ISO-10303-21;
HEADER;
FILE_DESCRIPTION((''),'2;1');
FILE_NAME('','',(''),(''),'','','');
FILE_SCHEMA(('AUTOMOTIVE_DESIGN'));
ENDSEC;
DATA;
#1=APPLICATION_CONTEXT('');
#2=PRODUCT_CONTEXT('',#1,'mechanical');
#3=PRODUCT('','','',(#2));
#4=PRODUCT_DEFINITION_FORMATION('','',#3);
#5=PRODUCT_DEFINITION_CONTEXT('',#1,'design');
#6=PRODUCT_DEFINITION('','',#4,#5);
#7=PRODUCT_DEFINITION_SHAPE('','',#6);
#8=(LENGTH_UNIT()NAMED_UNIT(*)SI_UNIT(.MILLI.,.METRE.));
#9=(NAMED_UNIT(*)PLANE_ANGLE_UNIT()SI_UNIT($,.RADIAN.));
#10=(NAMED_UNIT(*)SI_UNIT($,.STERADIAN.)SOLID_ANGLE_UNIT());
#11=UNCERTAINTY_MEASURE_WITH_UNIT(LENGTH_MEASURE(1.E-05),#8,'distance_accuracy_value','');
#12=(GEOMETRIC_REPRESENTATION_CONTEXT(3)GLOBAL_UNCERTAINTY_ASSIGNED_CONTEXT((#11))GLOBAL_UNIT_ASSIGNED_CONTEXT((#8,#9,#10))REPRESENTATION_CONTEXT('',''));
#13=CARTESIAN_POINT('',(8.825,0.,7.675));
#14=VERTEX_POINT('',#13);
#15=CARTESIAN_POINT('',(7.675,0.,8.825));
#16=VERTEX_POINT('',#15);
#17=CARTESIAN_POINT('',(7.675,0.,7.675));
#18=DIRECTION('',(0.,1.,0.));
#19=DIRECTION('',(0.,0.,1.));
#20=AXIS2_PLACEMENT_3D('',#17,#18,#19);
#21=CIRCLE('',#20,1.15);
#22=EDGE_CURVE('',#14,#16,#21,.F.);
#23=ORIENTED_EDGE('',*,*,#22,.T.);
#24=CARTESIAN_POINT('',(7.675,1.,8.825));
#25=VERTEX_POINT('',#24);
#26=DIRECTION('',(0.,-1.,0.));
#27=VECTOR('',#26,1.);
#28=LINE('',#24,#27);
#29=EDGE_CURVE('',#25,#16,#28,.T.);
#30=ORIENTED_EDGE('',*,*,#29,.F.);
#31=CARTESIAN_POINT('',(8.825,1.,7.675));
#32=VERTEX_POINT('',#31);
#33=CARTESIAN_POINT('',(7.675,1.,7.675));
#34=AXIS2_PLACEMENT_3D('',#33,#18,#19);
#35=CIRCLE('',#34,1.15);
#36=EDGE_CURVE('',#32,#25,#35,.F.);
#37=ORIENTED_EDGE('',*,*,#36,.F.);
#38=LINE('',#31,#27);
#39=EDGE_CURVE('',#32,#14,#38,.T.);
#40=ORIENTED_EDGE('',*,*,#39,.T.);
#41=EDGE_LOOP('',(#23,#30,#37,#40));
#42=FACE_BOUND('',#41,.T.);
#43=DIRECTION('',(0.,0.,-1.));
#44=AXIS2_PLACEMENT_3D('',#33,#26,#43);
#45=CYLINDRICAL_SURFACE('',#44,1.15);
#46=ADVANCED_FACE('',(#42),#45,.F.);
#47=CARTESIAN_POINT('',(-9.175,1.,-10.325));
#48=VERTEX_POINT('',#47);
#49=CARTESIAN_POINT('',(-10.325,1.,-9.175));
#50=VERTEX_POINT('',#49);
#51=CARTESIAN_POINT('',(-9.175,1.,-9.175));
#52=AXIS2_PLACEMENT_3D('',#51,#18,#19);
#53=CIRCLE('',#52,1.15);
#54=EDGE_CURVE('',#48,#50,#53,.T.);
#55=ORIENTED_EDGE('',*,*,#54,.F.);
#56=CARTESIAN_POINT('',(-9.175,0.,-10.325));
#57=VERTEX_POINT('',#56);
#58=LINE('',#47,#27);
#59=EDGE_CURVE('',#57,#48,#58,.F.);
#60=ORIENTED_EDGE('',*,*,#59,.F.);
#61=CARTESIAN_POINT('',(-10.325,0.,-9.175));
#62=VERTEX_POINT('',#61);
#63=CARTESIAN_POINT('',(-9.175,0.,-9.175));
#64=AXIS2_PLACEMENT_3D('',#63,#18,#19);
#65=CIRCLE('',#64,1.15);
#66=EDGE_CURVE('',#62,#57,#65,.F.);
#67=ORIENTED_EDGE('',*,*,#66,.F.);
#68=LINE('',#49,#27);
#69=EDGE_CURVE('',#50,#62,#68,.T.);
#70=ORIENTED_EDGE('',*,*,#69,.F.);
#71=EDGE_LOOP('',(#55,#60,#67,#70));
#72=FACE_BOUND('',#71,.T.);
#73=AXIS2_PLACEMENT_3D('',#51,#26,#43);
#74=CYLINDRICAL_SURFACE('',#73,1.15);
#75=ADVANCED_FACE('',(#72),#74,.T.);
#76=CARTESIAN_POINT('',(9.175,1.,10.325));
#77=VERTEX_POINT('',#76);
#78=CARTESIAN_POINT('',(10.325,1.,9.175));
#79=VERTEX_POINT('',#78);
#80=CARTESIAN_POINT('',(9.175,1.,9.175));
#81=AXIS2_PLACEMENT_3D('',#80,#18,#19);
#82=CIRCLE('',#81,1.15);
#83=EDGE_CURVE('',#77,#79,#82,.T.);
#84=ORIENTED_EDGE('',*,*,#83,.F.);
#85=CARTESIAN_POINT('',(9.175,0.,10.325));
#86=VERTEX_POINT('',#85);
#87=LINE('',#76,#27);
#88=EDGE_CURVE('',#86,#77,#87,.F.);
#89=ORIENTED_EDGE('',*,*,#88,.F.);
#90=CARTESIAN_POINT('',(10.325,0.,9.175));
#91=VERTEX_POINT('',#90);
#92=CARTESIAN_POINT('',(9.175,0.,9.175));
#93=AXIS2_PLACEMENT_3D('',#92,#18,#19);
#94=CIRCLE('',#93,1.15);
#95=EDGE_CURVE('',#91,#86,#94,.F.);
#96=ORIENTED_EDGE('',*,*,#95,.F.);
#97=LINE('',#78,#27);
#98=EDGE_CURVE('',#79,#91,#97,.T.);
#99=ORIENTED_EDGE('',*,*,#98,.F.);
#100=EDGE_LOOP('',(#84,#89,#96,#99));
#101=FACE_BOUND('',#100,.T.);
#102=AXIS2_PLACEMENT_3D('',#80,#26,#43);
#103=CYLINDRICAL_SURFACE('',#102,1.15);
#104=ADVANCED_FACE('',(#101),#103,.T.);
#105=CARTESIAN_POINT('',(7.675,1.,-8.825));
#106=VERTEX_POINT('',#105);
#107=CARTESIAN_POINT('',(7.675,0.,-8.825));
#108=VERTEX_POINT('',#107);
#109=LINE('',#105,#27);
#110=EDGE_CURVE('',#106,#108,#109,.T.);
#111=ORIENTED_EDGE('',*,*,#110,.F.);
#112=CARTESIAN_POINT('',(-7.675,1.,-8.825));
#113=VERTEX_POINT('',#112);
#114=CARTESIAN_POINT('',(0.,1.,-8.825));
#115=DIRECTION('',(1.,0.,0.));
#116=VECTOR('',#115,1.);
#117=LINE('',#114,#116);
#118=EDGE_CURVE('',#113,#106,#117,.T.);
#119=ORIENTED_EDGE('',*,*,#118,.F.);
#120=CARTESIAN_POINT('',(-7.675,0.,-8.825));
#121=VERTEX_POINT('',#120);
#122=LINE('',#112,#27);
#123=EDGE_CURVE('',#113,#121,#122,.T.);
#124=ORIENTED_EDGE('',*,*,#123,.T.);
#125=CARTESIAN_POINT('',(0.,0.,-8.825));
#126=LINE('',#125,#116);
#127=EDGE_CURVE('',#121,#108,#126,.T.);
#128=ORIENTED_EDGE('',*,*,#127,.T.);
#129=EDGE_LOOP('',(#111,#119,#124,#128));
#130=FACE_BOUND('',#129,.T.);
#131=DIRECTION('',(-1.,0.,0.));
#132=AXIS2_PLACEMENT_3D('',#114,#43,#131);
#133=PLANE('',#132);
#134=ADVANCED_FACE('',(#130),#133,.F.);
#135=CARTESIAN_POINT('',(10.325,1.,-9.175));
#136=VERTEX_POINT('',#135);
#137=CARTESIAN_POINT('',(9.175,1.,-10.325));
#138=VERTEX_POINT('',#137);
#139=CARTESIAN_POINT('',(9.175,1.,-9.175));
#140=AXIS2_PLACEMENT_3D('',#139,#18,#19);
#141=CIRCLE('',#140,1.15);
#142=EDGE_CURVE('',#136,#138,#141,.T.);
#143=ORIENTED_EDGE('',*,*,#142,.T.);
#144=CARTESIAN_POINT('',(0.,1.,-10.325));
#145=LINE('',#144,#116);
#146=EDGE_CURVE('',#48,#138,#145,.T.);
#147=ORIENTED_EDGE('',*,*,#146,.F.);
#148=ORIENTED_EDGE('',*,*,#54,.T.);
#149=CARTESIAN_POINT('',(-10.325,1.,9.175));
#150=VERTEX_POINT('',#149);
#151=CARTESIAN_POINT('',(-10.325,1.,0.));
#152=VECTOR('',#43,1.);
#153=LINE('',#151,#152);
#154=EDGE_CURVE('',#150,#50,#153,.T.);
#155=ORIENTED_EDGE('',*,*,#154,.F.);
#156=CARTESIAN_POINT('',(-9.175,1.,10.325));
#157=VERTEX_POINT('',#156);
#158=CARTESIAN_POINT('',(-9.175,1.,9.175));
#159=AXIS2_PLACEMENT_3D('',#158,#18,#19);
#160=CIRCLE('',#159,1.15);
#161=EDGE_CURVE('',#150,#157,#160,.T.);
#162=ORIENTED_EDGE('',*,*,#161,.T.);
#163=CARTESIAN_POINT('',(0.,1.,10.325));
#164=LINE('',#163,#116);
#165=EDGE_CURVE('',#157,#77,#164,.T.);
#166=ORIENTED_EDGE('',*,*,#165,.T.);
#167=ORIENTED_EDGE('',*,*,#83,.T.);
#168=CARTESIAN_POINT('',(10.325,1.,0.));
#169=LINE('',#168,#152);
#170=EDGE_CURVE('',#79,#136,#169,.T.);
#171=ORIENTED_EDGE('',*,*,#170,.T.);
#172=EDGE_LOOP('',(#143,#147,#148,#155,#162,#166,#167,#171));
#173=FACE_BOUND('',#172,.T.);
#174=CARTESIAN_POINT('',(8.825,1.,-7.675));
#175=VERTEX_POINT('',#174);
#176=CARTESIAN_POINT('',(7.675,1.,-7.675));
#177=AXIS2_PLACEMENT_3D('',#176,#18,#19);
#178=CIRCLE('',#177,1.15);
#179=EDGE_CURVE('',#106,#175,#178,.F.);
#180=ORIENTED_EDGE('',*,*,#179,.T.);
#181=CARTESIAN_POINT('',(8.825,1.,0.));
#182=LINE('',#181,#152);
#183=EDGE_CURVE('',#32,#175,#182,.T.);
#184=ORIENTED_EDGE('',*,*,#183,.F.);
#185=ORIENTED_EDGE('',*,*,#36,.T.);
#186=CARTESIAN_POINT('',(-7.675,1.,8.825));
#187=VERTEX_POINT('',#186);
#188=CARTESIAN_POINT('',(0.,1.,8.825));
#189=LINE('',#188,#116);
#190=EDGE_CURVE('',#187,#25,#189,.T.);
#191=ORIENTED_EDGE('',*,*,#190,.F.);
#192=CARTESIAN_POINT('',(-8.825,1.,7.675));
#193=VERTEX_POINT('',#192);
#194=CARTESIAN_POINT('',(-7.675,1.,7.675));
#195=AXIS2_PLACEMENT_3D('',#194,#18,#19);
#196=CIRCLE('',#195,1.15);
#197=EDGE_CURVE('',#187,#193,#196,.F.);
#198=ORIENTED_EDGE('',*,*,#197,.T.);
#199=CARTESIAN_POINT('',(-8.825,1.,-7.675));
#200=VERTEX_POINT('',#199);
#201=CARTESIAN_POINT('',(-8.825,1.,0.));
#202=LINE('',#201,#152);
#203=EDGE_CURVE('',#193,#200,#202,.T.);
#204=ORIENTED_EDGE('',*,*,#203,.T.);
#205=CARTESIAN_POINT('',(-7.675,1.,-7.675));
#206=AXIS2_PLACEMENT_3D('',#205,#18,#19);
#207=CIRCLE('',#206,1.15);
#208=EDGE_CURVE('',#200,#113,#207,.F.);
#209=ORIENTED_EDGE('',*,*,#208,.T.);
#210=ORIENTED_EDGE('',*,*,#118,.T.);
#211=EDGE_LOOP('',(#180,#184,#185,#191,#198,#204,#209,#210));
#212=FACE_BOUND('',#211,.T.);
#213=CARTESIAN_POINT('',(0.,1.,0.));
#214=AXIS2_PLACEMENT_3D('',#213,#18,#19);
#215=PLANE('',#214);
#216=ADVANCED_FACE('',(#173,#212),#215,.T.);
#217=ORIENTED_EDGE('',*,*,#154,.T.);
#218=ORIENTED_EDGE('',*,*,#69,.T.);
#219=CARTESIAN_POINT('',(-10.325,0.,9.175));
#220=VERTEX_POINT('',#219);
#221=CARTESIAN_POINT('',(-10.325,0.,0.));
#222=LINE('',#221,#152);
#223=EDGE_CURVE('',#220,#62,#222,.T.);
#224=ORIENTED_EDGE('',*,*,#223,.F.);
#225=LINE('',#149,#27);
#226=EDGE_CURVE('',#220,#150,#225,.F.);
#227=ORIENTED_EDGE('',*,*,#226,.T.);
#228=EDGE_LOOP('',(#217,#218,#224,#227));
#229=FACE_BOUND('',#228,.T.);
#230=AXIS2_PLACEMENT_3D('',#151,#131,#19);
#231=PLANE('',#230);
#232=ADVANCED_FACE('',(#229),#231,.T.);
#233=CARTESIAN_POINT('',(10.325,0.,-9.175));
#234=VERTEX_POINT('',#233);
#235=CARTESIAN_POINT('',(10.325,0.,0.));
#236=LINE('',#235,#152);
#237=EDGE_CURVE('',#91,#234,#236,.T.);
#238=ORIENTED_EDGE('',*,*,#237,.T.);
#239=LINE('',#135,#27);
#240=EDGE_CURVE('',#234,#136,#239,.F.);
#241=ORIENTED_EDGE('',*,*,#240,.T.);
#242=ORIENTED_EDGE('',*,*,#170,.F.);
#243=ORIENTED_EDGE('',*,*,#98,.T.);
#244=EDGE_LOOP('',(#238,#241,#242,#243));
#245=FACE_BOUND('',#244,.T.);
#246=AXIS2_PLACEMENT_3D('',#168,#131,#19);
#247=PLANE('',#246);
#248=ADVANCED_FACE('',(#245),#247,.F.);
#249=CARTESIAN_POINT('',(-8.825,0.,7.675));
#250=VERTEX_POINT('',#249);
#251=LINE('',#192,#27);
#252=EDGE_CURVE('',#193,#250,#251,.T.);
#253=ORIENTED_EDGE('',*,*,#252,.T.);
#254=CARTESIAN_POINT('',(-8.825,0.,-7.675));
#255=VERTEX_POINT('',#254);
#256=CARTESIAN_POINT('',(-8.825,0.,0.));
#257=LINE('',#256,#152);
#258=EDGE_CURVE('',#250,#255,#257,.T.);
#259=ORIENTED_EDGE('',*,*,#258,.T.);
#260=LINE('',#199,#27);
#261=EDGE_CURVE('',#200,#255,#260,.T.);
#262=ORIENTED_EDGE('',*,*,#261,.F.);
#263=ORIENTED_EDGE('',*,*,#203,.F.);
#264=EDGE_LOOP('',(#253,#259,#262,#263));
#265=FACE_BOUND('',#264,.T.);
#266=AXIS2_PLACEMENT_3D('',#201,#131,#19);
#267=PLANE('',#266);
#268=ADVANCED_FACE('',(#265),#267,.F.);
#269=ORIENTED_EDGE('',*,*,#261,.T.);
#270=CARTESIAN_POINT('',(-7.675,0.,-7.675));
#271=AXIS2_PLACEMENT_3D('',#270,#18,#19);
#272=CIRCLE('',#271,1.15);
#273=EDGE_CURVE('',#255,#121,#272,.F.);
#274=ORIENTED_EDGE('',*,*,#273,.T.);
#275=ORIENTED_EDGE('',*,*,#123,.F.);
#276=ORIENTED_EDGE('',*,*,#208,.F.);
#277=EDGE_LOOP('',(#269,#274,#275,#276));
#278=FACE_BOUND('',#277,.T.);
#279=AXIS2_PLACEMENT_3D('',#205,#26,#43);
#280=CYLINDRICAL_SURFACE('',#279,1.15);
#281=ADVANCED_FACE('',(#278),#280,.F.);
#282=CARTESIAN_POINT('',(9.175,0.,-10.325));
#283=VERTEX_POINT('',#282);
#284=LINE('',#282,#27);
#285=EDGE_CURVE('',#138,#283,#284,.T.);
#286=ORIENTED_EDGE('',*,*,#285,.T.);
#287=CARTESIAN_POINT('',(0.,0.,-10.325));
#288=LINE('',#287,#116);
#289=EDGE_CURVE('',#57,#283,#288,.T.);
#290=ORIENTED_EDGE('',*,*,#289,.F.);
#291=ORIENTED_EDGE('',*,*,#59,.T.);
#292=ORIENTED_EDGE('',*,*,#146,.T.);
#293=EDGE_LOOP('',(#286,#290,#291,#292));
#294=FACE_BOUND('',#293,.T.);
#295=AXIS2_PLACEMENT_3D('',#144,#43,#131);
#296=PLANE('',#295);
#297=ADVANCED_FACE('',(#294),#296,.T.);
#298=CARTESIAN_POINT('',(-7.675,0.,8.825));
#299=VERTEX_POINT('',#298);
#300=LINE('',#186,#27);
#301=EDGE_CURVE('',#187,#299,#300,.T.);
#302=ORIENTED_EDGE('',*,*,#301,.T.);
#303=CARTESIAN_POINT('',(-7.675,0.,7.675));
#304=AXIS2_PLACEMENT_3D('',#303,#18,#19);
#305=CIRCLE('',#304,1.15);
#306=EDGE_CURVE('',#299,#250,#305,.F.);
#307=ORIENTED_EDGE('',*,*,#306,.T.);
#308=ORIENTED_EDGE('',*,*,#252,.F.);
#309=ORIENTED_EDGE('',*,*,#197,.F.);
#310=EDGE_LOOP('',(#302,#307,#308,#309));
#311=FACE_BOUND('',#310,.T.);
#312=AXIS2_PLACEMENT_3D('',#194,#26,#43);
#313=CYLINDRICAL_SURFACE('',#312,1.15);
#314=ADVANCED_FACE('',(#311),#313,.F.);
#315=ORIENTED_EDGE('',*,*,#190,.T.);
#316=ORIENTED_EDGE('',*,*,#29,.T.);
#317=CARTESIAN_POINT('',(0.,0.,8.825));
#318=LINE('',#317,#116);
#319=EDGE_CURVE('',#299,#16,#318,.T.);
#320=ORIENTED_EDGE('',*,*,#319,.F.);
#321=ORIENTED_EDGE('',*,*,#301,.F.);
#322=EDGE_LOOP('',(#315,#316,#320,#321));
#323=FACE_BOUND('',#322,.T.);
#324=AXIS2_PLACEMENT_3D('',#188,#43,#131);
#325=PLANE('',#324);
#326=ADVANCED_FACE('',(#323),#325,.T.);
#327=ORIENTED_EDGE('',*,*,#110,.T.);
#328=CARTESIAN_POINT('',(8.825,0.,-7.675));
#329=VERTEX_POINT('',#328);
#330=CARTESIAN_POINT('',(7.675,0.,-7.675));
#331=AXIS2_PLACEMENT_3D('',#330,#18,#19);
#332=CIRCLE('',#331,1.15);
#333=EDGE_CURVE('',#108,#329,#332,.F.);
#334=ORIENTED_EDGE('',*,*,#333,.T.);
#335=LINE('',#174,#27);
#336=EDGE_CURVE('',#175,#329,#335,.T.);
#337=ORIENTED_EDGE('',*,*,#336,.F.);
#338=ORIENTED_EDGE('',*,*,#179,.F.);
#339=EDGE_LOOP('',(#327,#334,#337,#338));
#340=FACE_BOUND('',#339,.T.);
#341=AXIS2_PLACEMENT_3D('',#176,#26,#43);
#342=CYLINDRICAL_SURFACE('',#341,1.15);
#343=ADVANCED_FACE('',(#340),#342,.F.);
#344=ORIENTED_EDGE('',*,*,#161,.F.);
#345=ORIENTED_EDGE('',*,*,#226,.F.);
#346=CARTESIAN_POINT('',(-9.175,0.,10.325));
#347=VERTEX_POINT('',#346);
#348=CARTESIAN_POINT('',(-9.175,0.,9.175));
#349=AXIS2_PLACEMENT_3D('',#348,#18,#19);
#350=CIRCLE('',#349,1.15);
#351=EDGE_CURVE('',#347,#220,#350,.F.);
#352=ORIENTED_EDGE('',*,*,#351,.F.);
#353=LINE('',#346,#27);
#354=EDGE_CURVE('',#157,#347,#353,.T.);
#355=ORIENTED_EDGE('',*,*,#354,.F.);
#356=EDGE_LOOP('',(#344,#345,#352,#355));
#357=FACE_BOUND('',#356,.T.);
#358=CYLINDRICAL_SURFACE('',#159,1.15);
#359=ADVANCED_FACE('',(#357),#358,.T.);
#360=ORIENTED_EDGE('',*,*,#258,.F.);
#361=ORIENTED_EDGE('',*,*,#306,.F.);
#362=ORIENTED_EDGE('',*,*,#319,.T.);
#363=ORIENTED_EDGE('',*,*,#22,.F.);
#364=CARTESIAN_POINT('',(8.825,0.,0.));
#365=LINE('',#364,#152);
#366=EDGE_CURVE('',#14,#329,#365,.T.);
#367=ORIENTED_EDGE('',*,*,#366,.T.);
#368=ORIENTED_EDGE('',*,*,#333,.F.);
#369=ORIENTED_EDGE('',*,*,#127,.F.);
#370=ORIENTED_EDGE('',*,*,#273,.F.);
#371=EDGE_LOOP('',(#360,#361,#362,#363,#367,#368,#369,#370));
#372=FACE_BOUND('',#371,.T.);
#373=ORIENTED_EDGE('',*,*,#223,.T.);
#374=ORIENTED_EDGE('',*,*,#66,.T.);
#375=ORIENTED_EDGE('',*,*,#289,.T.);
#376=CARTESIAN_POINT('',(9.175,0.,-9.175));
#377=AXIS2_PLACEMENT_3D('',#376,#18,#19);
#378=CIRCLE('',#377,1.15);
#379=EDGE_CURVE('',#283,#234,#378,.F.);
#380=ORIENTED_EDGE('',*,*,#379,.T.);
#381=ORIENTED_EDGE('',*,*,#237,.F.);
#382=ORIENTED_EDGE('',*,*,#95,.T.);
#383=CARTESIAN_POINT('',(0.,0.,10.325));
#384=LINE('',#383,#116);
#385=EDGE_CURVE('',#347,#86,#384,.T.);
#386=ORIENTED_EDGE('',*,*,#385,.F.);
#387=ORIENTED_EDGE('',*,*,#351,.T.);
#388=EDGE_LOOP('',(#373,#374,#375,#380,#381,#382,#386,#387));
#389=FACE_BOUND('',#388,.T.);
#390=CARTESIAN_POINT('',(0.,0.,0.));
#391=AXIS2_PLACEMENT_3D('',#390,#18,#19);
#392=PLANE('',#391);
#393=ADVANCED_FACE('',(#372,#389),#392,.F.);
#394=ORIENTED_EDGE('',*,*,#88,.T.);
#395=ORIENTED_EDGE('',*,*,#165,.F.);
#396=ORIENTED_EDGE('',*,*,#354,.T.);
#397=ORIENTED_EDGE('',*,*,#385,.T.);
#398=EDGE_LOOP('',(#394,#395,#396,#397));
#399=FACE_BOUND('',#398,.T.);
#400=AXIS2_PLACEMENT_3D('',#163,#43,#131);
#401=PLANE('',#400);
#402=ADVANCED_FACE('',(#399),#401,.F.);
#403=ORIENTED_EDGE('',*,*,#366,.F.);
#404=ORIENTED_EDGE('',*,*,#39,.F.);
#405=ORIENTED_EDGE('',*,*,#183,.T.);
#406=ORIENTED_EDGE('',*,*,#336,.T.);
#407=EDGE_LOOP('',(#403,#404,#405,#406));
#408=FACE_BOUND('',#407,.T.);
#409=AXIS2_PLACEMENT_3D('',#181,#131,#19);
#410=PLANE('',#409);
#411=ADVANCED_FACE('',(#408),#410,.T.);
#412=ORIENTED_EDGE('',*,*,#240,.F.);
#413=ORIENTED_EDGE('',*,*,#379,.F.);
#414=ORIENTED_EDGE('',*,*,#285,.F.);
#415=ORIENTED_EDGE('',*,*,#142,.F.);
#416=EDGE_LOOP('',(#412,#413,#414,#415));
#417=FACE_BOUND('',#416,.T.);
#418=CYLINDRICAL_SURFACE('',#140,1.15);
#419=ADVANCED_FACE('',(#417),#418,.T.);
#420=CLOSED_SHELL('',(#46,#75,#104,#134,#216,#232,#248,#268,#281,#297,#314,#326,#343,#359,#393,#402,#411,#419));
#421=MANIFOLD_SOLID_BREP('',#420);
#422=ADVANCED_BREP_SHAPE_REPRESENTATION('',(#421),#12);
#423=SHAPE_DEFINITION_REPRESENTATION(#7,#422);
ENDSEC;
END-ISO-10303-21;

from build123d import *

# Parameters (mm, degrees)
SKETCH1_W           = 20.65
SKETCH1_H           = 20.65
BOSS_EXTRUDE1_DEPTH = 1
FILLET1_R           = 1.15


with BuildPart() as part:
    # Sketch1 → Boss-Extrude1 (new body)
    with BuildSketch(Plane(origin=(0, 0, 0), x_dir=(1, 0, 0), z_dir=(0, 1, 0))):
        Rectangle(SKETCH1_W, SKETCH1_H)
        with BuildLine():
            Line((7.675, -8.825), (-7.675, -8.825))
            ThreePointArc((-7.675, -8.825), (-8.488172798, -8.488172798), (-8.825, -7.675))
            Line((-8.825, -7.675), (-8.825, 7.675))
            ThreePointArc((-8.825, 7.675), (-8.488172798, 8.488172798), (-7.675, 8.825))
            Line((-7.675, 8.825), (7.675, 8.825))
            ThreePointArc((7.675, 8.825), (8.488172798, 8.488172798), (8.825, 7.675))
            Line((8.825, 7.675), (8.825, -7.675))
            ThreePointArc((8.825, -7.675), (8.488172798, -8.488172798), (7.675, -8.825))
        make_face(mode=Mode.SUBTRACT)
    extrude(amount=BOSS_EXTRUDE1_DEPTH)

    # Fillet1
    fillet1_edges = [part.edges().sort_by_distance(p)[0] for p in [
        (-10.325, 0.5, -10.325),
        (-10.325, 0.5, 10.325),
        (10.325, 0.5, 10.325),
        (10.325, 0.5, -10.325),
    ]]
    fillet(fillet1_edges, radius=FILLET1_R)


solid = part.part
